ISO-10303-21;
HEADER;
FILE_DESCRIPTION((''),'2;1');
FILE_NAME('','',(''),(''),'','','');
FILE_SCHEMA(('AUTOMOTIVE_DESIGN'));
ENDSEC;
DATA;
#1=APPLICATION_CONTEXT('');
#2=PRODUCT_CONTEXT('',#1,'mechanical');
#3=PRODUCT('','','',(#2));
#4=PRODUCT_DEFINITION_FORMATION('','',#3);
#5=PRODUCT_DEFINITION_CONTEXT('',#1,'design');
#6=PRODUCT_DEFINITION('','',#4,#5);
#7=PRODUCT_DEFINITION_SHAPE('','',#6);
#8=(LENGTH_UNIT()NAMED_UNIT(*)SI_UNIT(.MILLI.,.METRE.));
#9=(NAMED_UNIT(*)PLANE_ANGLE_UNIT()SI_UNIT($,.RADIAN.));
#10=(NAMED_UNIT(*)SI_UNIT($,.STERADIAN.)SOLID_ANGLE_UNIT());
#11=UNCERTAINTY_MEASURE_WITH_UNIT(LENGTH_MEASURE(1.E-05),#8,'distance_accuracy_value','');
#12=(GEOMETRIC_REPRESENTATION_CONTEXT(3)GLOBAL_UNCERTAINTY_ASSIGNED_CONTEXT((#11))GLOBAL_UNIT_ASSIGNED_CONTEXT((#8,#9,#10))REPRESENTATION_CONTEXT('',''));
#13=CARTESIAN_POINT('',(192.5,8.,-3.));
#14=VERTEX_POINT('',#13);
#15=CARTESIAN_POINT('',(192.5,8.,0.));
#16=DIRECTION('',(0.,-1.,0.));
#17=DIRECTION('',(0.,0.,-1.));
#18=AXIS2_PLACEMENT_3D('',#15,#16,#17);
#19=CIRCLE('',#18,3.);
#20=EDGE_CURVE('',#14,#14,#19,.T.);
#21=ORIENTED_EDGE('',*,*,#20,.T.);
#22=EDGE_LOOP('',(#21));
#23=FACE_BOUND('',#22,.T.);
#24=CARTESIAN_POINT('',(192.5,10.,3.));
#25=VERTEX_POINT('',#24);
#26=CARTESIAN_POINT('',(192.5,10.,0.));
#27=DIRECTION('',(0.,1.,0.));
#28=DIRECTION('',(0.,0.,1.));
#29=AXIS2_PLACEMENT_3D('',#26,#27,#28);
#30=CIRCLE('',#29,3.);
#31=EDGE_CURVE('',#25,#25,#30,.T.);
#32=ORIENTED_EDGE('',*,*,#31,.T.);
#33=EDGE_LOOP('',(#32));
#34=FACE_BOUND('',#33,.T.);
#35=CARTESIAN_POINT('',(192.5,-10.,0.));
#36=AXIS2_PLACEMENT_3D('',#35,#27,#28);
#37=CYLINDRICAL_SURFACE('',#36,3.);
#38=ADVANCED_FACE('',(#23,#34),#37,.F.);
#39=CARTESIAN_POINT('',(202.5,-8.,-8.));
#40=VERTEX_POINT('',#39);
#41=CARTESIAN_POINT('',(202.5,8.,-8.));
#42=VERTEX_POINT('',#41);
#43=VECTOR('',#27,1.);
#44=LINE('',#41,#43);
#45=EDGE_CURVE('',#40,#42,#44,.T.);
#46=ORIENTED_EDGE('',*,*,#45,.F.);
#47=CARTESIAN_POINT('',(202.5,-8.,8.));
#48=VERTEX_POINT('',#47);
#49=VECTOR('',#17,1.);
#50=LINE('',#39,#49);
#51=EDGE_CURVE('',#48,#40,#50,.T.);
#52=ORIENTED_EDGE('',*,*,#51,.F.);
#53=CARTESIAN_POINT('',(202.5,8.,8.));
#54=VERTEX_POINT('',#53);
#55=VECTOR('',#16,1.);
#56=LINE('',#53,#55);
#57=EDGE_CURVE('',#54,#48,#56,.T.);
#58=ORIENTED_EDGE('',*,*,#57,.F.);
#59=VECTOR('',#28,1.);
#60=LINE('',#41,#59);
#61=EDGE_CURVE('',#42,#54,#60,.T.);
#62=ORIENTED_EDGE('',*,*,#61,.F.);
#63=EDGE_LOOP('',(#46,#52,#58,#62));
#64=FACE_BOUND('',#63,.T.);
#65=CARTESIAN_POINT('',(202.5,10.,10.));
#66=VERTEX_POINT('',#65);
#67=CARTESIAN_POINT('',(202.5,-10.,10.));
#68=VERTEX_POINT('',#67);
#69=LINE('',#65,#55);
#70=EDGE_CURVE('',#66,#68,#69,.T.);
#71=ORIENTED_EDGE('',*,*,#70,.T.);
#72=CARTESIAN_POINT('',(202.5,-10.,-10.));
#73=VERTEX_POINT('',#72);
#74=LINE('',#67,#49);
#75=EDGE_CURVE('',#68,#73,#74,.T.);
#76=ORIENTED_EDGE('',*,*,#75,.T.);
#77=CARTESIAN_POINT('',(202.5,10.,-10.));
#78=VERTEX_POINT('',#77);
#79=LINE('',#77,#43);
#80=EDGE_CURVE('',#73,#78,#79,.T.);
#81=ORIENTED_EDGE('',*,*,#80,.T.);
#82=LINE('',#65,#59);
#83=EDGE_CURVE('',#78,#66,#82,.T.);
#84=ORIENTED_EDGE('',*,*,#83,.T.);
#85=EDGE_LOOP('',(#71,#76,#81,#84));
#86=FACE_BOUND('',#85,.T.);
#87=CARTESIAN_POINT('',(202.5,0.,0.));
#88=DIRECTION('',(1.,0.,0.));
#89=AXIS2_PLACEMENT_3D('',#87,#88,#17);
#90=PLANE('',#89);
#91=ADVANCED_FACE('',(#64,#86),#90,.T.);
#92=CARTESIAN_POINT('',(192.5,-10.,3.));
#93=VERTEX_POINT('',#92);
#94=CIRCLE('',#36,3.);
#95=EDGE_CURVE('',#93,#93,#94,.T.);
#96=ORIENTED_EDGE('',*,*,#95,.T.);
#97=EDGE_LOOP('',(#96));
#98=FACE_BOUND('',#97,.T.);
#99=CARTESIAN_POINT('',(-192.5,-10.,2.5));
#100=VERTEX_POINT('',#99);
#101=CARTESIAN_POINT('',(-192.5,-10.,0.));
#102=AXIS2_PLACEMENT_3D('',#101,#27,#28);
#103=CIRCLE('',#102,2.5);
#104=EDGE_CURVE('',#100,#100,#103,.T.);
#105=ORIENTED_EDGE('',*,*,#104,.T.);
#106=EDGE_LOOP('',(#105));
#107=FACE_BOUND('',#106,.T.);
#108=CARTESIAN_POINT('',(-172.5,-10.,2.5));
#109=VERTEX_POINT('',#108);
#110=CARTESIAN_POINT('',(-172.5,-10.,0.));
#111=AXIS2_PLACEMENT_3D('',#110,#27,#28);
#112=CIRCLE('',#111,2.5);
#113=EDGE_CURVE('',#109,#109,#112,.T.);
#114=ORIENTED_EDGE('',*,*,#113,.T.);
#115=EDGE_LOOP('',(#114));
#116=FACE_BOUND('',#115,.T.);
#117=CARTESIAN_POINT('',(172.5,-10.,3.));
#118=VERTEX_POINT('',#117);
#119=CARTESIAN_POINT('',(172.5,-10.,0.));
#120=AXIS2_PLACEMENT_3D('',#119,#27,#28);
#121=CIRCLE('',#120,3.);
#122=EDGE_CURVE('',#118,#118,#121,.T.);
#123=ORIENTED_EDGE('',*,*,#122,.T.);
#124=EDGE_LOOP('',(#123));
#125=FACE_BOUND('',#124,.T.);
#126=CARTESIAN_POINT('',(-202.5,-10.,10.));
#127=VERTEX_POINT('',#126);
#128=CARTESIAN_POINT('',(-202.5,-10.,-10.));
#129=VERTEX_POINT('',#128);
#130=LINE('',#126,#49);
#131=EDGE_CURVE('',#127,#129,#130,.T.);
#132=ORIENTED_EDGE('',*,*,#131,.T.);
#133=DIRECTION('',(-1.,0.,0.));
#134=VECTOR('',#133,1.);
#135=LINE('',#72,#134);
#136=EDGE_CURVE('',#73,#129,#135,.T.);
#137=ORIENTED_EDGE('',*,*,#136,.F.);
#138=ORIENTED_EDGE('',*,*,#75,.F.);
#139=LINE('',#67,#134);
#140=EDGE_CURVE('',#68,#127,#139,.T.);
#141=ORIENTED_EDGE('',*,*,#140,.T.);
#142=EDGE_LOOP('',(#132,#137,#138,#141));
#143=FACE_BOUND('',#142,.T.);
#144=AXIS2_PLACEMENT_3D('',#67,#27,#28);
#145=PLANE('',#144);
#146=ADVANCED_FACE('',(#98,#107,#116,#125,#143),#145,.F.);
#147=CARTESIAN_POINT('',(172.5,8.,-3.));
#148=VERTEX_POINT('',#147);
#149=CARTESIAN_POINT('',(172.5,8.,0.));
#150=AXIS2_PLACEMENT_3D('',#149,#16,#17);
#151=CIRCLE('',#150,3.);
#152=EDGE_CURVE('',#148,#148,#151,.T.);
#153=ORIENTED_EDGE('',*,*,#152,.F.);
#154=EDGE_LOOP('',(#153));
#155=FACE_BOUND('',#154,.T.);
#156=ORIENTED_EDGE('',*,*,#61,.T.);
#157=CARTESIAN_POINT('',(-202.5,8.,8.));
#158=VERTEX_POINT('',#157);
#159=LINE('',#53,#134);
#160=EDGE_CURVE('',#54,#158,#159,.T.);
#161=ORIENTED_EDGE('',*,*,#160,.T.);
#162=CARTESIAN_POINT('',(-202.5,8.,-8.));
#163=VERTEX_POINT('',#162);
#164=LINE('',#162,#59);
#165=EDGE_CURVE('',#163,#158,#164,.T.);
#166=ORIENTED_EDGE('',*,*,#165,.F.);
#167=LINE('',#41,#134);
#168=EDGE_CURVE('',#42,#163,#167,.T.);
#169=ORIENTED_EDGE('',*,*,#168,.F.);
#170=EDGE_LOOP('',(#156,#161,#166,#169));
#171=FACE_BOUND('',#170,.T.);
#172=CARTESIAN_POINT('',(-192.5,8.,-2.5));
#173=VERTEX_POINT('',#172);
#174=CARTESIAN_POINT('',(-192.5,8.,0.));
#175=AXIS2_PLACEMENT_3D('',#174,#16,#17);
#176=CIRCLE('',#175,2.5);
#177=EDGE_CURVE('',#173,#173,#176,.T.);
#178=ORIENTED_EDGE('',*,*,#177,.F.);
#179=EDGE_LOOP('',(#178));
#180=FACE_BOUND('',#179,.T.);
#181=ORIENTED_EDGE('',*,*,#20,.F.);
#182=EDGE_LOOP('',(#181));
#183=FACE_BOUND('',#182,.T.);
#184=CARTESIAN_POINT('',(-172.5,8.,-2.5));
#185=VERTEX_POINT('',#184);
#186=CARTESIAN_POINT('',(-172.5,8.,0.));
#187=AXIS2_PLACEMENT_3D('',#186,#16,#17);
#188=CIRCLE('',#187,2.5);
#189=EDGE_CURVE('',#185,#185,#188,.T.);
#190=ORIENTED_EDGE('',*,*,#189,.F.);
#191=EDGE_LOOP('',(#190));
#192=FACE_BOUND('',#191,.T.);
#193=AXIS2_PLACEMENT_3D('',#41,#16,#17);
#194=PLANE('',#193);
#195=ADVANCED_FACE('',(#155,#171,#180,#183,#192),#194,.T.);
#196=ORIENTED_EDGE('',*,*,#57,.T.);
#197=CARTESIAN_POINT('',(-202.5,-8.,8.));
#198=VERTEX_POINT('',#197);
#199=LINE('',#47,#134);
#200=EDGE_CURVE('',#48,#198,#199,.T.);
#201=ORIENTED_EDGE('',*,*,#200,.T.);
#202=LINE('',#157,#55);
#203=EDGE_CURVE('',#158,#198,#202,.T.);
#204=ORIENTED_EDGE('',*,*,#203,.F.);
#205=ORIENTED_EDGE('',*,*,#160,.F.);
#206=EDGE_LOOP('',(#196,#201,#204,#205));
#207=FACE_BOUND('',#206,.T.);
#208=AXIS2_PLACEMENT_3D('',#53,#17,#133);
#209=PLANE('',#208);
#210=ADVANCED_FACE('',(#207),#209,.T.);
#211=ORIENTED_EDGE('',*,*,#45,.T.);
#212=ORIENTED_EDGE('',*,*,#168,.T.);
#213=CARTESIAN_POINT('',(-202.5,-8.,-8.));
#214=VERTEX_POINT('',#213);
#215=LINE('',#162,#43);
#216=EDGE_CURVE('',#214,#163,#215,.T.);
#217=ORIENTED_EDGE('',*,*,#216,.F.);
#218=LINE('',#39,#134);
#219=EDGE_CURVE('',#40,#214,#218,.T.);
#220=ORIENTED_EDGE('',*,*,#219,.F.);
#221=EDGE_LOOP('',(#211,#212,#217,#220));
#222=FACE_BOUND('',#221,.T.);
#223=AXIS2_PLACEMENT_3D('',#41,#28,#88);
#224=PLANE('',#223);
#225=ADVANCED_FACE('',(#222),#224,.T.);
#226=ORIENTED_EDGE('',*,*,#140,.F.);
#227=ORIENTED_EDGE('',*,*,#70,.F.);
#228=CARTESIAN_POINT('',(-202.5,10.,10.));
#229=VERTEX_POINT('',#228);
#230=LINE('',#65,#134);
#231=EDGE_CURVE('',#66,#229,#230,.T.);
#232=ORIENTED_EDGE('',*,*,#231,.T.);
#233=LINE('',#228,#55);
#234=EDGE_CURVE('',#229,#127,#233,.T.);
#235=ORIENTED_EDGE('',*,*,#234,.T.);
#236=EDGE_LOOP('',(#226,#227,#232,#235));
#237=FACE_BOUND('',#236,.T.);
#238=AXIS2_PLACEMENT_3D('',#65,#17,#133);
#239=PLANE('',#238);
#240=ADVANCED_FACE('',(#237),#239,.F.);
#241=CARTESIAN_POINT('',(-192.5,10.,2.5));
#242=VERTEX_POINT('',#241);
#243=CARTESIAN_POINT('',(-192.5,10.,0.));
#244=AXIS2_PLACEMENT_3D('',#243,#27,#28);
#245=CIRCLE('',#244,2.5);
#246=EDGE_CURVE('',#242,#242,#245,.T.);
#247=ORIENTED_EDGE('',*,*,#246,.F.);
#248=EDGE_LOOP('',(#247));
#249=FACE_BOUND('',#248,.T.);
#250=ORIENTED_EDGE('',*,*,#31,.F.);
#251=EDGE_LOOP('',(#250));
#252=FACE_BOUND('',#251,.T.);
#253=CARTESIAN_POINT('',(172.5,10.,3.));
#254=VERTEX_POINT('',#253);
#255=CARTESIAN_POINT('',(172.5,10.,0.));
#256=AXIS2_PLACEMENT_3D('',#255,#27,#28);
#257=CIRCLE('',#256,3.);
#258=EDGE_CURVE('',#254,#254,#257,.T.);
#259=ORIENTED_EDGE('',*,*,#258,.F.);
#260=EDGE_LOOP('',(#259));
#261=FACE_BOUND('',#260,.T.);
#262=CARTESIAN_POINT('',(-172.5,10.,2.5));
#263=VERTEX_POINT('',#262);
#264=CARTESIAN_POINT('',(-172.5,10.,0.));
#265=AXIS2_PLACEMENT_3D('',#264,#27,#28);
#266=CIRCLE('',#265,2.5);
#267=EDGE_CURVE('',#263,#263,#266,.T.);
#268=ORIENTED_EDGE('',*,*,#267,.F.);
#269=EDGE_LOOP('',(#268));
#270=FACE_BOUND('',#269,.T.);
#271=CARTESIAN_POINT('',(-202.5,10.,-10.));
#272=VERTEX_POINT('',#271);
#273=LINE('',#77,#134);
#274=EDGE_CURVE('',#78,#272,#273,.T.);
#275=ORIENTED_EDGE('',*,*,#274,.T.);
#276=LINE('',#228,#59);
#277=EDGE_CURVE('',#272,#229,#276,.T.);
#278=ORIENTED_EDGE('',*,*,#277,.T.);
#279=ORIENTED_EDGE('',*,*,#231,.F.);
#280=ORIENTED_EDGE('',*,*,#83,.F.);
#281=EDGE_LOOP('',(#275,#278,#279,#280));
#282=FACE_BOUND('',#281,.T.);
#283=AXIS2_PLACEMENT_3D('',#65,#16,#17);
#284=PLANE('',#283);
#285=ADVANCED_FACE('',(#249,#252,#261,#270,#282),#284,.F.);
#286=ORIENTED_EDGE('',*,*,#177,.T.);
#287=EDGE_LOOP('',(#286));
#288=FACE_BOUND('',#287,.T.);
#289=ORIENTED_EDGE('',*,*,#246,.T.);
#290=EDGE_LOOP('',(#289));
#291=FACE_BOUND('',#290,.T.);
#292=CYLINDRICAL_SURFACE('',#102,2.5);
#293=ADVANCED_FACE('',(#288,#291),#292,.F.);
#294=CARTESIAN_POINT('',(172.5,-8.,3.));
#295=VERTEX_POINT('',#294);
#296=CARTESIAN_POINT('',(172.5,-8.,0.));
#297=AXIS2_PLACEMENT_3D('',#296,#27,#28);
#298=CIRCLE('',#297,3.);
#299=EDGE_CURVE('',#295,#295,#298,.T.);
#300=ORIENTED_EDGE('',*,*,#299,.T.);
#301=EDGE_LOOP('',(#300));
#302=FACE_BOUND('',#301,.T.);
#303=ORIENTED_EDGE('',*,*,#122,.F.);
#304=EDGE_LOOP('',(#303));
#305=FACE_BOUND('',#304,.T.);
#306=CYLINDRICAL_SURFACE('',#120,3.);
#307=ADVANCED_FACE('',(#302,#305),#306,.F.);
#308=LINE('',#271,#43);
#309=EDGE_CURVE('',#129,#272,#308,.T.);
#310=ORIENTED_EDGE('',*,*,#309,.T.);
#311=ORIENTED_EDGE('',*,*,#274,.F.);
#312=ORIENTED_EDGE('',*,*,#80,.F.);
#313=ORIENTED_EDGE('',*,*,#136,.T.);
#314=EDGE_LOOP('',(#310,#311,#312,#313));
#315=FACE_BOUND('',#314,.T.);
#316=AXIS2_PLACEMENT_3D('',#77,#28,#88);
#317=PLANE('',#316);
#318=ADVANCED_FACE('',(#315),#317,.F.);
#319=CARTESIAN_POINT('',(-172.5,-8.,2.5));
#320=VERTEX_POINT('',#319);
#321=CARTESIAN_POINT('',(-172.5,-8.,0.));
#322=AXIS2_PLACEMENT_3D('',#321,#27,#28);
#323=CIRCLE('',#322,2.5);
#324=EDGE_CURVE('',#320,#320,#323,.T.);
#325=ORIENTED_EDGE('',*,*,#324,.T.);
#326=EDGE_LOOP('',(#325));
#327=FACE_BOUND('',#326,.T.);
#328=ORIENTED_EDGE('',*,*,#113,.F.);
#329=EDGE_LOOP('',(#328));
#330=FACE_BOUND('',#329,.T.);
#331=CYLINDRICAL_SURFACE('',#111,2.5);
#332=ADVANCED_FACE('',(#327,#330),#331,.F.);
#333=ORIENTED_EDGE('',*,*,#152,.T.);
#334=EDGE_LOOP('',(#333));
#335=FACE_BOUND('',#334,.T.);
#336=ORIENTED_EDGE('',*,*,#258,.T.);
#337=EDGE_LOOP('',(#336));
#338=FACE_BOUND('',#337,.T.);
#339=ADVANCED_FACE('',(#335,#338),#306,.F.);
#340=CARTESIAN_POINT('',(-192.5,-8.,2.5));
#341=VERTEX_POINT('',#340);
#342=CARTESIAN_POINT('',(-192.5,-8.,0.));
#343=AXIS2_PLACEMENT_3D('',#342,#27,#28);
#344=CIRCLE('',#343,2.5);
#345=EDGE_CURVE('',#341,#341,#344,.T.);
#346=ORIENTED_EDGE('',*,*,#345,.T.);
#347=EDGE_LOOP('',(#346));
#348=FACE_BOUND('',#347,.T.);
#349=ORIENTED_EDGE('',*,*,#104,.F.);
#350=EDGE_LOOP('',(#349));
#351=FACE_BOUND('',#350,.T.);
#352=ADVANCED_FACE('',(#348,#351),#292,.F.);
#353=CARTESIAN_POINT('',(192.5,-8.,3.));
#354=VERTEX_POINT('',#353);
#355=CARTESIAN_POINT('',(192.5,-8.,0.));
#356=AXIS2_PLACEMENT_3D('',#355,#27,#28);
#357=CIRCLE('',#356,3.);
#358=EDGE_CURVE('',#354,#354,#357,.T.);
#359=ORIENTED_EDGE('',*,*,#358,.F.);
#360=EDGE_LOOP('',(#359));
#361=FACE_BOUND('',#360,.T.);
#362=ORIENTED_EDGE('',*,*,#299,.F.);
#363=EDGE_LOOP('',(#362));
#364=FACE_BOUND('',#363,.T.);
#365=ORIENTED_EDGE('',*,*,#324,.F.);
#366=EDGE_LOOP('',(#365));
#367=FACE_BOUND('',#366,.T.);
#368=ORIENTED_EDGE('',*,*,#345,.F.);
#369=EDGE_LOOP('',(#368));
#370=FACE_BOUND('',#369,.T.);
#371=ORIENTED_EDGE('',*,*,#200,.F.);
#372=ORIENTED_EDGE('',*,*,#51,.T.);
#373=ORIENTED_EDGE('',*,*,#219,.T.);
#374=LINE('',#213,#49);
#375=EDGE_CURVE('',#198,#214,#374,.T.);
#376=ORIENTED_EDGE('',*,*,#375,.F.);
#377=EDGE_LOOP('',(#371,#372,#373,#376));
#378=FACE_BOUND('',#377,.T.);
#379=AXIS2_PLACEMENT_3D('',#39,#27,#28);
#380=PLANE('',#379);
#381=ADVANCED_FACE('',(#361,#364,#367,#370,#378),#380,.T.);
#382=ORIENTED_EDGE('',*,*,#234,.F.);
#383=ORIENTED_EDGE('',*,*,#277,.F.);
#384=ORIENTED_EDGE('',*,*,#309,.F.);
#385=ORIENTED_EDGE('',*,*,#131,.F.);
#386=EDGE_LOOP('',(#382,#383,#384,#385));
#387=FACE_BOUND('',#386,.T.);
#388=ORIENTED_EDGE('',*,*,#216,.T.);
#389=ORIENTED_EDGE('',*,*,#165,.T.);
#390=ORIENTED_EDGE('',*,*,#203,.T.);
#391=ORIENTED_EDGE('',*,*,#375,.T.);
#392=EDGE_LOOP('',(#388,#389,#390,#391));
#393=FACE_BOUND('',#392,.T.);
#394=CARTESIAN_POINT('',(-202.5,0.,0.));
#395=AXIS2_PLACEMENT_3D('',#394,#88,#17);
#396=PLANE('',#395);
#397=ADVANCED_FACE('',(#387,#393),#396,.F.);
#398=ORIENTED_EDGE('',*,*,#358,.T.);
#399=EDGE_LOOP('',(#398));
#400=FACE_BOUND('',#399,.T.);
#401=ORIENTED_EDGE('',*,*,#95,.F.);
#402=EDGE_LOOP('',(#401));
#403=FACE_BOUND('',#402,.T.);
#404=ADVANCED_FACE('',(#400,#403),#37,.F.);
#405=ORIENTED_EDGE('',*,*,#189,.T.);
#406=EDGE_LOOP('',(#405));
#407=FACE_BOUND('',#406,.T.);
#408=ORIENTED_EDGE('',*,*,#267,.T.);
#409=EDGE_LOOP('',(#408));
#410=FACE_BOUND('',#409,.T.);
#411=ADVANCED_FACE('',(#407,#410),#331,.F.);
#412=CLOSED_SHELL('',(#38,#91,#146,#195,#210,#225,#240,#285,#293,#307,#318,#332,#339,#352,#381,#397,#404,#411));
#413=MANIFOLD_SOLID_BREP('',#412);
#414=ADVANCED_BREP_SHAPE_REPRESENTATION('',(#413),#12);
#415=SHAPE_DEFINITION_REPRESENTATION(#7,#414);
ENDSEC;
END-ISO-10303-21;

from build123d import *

# Parameters (mm, degrees)
SKETCH1_W           = 20
SKETCH1_H           = 20
SKETCH1_W_2         = 16
SKETCH1_H_2         = 16
BOSS_EXTRUDE1_DEPTH = 202.5
SKETCH2_R           = 3
CUT_EXTRUDE1_DEPTH  = 204.730827319
SKETCH3_R           = 2.5
CUT_EXTRUDE2_DEPTH  = 204.730827319


with BuildPart() as part:
    # Sketch1 → Boss-Extrude1 (new, symmetric)
    with BuildSketch(Plane(origin=(0, 0, 0), x_dir=(0, 0, -1), z_dir=(1, 0, 0))):
        Rectangle(SKETCH1_W, SKETCH1_H)
        Rectangle(SKETCH1_W_2, SKETCH1_H_2, mode=Mode.SUBTRACT)
    extrude(amount=BOSS_EXTRUDE1_DEPTH, both=True)

    # Sketch2 → Cut-Extrude1 (cut, through all)
    with BuildSketch(Plane(origin=(0, 10, 0), x_dir=(1, 0, 0), z_dir=(0, 1, 0))):
        with Locations(Location((192.5, 0, 0), (0, 0, 270))):
            Circle(SKETCH2_R)
        with Locations(Location((172.5, 0, 0), (0, 0, 270))):
            Circle(SKETCH2_R)
    extrude(amount=-CUT_EXTRUDE1_DEPTH, mode=Mode.SUBTRACT)

    # Sketch3 → Cut-Extrude2 (cut, through all)
    with BuildSketch(Plane(origin=(0, 10, 0), x_dir=(1, 0, 0), z_dir=(0, 1, 0))):
        with Locations(Location((-192.5, 0, 0), (0, 0, 270))):
            Circle(SKETCH3_R)
        with Locations(Location((-172.5, 0, 0), (0, 0, 270))):
            Circle(SKETCH3_R)
    extrude(amount=-CUT_EXTRUDE2_DEPTH, mode=Mode.SUBTRACT)


solid = part.part
